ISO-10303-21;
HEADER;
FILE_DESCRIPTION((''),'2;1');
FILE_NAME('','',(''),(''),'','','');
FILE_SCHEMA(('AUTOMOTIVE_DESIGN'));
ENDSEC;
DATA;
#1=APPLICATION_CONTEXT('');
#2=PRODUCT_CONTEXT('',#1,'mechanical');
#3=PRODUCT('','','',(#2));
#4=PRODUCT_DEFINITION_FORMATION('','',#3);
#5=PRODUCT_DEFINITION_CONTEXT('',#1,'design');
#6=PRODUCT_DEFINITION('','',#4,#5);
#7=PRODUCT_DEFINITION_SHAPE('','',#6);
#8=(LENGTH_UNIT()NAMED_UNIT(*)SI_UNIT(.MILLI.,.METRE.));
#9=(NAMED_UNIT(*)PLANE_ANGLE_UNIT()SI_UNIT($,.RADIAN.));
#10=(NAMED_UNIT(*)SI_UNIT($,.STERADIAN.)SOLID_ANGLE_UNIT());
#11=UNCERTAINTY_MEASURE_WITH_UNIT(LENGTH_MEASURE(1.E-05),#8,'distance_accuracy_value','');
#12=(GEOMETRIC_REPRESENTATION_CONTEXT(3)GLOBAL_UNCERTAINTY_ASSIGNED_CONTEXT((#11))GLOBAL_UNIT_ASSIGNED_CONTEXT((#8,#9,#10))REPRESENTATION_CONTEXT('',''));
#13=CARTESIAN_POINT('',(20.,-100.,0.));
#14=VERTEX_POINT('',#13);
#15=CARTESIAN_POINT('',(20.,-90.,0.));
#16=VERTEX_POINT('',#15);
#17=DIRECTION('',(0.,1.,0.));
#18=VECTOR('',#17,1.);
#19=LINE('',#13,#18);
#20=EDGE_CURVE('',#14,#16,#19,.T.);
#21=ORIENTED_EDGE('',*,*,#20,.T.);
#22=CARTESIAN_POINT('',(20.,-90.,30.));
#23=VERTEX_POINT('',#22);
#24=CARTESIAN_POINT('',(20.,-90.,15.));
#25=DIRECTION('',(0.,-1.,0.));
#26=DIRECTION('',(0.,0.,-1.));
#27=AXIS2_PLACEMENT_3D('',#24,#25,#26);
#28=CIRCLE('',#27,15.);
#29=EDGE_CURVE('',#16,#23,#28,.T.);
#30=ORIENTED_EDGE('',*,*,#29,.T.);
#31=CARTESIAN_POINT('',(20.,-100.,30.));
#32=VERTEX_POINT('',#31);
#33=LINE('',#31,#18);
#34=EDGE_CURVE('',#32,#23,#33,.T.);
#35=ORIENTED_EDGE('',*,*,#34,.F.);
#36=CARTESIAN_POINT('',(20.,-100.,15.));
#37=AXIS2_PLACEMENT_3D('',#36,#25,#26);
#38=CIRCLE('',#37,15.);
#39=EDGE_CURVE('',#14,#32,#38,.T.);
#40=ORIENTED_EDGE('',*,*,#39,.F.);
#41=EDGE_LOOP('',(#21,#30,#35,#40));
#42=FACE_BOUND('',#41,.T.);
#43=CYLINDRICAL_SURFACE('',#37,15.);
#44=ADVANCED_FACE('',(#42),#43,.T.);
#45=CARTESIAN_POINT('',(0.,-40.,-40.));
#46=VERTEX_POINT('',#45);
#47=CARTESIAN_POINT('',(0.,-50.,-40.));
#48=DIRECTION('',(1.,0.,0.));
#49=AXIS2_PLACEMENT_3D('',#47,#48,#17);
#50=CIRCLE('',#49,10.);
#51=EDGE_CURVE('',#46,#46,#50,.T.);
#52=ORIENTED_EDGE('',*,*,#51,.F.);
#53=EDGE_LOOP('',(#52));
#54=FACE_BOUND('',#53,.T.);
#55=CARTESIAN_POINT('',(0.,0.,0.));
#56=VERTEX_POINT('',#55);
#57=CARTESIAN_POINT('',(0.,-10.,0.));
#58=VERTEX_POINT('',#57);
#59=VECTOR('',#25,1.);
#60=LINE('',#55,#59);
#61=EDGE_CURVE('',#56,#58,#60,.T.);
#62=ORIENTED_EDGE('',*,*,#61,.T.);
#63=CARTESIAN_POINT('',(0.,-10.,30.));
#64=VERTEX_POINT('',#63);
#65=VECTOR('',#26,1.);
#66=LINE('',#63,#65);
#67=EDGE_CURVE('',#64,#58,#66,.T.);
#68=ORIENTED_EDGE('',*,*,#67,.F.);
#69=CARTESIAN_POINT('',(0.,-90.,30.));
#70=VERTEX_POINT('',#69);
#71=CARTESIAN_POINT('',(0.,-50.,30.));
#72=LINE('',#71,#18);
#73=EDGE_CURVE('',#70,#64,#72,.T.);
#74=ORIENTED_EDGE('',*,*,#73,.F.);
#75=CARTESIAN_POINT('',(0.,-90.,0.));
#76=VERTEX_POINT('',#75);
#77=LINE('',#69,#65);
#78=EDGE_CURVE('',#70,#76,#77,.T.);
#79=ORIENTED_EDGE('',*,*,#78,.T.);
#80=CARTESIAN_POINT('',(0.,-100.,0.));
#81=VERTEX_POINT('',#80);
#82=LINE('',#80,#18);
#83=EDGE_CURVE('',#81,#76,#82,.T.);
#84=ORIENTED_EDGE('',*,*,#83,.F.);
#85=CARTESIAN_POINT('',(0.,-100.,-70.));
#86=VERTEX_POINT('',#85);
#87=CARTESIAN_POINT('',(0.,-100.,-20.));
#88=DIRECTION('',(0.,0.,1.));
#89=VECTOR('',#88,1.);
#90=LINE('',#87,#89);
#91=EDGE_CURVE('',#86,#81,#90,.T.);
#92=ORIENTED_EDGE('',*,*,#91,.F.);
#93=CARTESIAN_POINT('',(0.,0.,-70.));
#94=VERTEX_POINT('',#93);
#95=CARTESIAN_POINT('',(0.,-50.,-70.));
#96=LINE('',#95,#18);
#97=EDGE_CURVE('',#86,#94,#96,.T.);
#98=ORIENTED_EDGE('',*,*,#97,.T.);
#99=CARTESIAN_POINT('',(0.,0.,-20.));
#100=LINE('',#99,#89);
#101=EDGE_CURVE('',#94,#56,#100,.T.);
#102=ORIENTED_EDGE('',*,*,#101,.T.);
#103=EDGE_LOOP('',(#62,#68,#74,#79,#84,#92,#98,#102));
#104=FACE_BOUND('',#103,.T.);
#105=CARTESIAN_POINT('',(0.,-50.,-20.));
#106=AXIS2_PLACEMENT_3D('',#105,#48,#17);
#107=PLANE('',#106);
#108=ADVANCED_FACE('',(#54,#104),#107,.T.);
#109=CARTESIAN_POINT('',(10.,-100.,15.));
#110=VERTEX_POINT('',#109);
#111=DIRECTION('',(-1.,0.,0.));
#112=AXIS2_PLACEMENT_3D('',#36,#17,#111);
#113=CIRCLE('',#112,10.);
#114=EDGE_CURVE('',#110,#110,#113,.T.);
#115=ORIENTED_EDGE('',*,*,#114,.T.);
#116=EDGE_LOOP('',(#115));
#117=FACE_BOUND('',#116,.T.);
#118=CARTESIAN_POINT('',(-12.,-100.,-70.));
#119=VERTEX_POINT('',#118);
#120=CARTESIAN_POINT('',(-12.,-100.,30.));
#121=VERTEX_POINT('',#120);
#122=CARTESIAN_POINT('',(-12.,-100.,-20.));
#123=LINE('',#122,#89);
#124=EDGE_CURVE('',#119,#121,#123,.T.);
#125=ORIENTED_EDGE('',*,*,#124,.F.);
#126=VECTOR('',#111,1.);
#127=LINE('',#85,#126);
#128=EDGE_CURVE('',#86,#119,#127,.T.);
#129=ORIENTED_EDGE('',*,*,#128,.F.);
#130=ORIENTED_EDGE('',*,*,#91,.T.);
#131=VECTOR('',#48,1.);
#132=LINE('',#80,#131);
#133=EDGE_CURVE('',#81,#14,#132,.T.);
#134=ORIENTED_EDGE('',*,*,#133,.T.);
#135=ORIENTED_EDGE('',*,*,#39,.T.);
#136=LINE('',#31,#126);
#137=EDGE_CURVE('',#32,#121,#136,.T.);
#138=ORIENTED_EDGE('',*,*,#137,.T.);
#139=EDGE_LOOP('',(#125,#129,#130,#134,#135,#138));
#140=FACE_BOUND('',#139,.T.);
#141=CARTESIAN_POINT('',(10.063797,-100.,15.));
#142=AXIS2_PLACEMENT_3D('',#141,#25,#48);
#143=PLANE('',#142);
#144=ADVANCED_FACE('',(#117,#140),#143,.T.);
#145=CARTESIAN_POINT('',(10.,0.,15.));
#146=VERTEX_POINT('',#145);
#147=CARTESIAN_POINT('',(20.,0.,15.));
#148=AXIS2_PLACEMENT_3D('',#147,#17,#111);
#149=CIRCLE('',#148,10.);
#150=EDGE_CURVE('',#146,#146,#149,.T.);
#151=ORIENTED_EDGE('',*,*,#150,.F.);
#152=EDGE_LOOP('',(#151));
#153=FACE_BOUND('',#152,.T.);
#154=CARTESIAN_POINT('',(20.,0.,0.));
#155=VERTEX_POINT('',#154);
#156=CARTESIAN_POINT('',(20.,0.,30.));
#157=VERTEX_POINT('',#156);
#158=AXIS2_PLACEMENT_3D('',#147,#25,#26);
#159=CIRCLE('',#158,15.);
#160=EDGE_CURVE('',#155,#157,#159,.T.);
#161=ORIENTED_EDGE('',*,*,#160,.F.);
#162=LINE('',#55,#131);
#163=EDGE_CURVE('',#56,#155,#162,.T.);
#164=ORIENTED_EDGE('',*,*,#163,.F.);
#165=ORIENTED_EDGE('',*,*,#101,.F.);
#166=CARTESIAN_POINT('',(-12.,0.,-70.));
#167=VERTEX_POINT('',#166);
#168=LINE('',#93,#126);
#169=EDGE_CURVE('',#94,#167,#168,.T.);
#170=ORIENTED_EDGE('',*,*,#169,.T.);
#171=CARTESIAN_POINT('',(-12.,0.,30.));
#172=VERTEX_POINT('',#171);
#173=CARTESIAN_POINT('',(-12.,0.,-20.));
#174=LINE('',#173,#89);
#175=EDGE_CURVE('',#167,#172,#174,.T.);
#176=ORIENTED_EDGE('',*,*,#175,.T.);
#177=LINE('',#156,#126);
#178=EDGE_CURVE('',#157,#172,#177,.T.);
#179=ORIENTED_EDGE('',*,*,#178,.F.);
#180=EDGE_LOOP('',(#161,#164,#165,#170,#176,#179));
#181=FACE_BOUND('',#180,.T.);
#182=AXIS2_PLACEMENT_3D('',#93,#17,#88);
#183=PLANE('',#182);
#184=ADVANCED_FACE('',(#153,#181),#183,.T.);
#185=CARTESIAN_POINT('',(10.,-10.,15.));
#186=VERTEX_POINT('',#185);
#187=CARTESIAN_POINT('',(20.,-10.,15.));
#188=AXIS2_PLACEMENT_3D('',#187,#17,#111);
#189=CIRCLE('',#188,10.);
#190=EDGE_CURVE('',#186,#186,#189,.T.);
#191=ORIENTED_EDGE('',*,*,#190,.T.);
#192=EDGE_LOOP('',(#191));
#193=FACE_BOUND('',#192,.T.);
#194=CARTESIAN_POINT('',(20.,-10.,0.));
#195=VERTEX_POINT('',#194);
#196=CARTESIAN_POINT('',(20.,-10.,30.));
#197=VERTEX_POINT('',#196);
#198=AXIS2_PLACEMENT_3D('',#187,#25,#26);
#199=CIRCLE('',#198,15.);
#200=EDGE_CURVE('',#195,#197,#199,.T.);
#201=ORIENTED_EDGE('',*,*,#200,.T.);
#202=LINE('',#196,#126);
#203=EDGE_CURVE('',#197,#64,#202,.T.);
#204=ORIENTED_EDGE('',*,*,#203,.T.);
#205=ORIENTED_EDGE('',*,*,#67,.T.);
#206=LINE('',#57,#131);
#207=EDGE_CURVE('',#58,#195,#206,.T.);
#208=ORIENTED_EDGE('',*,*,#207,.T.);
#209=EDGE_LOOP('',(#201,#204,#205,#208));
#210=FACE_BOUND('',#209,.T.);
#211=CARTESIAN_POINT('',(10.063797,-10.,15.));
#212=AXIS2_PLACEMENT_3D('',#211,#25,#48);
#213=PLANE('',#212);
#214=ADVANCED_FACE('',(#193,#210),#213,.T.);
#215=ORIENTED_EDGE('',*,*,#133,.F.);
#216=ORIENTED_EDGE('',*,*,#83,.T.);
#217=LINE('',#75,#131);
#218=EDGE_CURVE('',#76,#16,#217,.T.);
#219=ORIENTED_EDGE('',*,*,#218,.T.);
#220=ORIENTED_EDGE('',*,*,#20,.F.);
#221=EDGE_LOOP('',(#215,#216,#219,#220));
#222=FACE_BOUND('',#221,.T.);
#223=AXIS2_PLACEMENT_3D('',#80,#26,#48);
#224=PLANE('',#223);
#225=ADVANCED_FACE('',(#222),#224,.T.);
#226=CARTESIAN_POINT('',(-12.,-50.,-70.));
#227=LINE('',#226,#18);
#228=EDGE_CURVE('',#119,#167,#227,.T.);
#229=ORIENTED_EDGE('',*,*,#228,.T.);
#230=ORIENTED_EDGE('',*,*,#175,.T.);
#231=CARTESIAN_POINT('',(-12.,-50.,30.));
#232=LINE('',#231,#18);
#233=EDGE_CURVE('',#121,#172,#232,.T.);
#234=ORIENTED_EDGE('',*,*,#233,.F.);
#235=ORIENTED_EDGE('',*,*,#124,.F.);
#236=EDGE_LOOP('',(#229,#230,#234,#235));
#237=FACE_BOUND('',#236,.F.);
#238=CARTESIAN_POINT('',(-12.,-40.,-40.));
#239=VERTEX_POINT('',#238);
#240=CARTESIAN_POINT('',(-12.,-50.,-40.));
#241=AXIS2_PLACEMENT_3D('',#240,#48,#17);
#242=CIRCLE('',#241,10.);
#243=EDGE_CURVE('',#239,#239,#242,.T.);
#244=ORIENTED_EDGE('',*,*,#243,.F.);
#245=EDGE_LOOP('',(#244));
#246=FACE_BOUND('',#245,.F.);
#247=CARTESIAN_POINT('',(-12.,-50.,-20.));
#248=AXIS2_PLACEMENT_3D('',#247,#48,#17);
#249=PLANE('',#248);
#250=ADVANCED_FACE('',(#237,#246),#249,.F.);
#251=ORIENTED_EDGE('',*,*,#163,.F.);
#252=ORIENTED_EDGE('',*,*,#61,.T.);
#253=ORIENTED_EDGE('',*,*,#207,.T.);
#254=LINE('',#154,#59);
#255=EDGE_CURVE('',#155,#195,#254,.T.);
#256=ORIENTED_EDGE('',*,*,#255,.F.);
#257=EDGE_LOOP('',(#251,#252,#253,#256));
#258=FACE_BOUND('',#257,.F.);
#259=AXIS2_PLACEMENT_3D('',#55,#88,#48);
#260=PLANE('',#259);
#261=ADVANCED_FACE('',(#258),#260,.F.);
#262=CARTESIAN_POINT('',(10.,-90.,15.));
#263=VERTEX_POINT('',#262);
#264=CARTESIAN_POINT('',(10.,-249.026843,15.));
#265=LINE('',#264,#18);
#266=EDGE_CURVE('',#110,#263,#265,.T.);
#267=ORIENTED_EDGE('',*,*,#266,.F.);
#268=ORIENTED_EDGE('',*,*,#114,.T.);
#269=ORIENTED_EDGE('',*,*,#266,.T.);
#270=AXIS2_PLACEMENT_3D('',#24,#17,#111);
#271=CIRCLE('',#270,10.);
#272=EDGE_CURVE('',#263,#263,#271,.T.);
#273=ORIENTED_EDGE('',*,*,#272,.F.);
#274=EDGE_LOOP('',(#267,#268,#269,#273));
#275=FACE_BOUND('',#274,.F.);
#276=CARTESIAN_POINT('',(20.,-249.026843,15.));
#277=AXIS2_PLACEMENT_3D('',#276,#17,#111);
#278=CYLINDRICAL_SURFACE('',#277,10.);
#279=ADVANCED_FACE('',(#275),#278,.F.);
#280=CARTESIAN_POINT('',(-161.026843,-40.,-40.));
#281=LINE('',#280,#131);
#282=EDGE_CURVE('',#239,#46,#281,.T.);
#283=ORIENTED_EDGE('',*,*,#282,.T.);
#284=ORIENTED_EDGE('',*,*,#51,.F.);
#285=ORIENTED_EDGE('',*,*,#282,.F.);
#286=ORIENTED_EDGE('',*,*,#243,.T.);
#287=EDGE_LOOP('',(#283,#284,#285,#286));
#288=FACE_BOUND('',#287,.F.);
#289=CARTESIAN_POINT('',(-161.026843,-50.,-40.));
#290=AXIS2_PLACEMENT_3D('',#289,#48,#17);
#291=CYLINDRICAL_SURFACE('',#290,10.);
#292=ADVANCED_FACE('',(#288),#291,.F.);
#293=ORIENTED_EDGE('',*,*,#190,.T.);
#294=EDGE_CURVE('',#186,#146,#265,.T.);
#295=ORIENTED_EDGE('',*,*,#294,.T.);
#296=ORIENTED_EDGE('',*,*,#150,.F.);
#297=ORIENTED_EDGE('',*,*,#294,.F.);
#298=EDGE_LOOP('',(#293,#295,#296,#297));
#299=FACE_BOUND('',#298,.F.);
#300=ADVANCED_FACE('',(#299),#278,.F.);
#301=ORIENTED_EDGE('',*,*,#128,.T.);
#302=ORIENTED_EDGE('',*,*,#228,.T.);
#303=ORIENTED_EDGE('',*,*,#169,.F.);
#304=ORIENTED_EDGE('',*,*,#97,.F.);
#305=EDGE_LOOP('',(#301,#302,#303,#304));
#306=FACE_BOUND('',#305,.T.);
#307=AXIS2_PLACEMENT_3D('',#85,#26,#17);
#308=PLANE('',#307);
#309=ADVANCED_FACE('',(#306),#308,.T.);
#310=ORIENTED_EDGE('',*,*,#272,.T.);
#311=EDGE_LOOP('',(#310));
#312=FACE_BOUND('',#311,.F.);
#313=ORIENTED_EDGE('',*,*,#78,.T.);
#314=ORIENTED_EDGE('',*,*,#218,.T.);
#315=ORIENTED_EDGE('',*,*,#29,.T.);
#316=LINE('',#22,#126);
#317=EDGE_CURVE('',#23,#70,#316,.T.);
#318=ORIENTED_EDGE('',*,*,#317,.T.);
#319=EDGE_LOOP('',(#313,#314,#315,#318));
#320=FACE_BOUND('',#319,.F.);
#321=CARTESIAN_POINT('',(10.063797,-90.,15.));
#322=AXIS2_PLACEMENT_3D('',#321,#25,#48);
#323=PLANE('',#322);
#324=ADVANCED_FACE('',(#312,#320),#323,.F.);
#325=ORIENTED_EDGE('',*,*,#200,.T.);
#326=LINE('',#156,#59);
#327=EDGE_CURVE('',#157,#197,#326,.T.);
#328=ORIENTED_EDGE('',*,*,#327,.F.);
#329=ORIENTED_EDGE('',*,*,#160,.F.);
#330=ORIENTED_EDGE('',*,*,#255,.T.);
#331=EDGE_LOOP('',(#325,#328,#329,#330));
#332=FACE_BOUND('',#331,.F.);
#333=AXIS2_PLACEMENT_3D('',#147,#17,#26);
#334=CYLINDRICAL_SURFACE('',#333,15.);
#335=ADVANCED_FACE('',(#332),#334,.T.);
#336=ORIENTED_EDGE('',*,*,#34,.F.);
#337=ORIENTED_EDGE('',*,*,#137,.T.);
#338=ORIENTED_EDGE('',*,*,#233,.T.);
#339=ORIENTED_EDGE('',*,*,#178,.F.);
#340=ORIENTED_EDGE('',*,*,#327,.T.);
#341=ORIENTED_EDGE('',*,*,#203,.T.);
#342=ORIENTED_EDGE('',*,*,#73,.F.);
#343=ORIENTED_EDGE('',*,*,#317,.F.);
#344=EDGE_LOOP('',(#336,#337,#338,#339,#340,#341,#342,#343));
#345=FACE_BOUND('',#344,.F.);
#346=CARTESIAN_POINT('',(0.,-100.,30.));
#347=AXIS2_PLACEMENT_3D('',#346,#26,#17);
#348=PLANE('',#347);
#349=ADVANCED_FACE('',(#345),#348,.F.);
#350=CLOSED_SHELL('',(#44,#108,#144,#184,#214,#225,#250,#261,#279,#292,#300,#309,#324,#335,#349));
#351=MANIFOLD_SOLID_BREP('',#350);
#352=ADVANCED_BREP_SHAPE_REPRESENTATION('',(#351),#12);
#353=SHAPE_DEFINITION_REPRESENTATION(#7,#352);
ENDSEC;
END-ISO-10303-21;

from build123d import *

# Parameters (mm, degrees)
F1_DEPTH = 10
F2_W     = 100
F2_H     = 100
F3_DEPTH = 12
F5_DEPTH = 10
F7_D     = 20
F9_D     = 20


with BuildPart() as f1:
    # F0 (on Front) → F1 (new body)
    with BuildSketch(Plane.XZ):
        with BuildLine():
            Line((0, 30), (0, 0))
            Line((0, 0), (20, 0))
            Line((20, 0), (20, 10))
            ThreePointArc((20, 10), (15, 15), (20, 20))
            Line((20, 20), (20, 30))
            Line((20, 30), (0, 30))
        make_face()
        with BuildLine():
            Line((20, 10), (20, 0))
            ThreePointArc((20, 0), (35, 15), (20, 30))
            Line((20, 30), (20, 20))
            ThreePointArc((20, 20), (23.535534, 18.535534), (25, 15))
            ThreePointArc((25, 15), (23.535534, 11.464466), (20, 10))
        make_face()
    extrude(amount=F1_DEPTH)

    # F2 (on Right) → F3 (join)
    with BuildSketch(Plane.YZ):
        with Locations((-50, -20)):
            Rectangle(F2_W, F2_H)
    extrude(amount=-F3_DEPTH)

    # F4 (on face) → F5 (join)
    with BuildSketch(Plane.XZ.offset(100)):
        with BuildLine():
            Line((0, 30), (0, 0))
            Line((0, 0), (20, 0))
            Line((20, 0), (20, 10))
            ThreePointArc((20, 10), (15, 15), (20, 20))
            Line((20, 20), (20, 30))
            Line((20, 30), (0, 30))
        make_face()
        with BuildLine():
            Line((20, 10), (20, 0))
            ThreePointArc((20, 0), (35, 15), (20, 30))
            Line((20, 30), (20, 20))
            ThreePointArc((20, 20), (23.535534, 18.535534), (25, 15))
            ThreePointArc((25, 15), (23.535534, 11.464466), (20, 10))
        make_face()
    extrude(amount=-F5_DEPTH)

    # F7 (through all)
    with Locations(Plane(origin=(-12, 0, 0), x_dir=(0, -1, 0), z_dir=(-1, 0, 0))):
        with Locations((50, -40)):
            Hole(F7_D / 2)

    # F9 (through all)
    with Locations(Plane.XZ.offset(100)):
        with Locations((20, 15)):
            Hole(F9_D / 2)


solid = f1.part
